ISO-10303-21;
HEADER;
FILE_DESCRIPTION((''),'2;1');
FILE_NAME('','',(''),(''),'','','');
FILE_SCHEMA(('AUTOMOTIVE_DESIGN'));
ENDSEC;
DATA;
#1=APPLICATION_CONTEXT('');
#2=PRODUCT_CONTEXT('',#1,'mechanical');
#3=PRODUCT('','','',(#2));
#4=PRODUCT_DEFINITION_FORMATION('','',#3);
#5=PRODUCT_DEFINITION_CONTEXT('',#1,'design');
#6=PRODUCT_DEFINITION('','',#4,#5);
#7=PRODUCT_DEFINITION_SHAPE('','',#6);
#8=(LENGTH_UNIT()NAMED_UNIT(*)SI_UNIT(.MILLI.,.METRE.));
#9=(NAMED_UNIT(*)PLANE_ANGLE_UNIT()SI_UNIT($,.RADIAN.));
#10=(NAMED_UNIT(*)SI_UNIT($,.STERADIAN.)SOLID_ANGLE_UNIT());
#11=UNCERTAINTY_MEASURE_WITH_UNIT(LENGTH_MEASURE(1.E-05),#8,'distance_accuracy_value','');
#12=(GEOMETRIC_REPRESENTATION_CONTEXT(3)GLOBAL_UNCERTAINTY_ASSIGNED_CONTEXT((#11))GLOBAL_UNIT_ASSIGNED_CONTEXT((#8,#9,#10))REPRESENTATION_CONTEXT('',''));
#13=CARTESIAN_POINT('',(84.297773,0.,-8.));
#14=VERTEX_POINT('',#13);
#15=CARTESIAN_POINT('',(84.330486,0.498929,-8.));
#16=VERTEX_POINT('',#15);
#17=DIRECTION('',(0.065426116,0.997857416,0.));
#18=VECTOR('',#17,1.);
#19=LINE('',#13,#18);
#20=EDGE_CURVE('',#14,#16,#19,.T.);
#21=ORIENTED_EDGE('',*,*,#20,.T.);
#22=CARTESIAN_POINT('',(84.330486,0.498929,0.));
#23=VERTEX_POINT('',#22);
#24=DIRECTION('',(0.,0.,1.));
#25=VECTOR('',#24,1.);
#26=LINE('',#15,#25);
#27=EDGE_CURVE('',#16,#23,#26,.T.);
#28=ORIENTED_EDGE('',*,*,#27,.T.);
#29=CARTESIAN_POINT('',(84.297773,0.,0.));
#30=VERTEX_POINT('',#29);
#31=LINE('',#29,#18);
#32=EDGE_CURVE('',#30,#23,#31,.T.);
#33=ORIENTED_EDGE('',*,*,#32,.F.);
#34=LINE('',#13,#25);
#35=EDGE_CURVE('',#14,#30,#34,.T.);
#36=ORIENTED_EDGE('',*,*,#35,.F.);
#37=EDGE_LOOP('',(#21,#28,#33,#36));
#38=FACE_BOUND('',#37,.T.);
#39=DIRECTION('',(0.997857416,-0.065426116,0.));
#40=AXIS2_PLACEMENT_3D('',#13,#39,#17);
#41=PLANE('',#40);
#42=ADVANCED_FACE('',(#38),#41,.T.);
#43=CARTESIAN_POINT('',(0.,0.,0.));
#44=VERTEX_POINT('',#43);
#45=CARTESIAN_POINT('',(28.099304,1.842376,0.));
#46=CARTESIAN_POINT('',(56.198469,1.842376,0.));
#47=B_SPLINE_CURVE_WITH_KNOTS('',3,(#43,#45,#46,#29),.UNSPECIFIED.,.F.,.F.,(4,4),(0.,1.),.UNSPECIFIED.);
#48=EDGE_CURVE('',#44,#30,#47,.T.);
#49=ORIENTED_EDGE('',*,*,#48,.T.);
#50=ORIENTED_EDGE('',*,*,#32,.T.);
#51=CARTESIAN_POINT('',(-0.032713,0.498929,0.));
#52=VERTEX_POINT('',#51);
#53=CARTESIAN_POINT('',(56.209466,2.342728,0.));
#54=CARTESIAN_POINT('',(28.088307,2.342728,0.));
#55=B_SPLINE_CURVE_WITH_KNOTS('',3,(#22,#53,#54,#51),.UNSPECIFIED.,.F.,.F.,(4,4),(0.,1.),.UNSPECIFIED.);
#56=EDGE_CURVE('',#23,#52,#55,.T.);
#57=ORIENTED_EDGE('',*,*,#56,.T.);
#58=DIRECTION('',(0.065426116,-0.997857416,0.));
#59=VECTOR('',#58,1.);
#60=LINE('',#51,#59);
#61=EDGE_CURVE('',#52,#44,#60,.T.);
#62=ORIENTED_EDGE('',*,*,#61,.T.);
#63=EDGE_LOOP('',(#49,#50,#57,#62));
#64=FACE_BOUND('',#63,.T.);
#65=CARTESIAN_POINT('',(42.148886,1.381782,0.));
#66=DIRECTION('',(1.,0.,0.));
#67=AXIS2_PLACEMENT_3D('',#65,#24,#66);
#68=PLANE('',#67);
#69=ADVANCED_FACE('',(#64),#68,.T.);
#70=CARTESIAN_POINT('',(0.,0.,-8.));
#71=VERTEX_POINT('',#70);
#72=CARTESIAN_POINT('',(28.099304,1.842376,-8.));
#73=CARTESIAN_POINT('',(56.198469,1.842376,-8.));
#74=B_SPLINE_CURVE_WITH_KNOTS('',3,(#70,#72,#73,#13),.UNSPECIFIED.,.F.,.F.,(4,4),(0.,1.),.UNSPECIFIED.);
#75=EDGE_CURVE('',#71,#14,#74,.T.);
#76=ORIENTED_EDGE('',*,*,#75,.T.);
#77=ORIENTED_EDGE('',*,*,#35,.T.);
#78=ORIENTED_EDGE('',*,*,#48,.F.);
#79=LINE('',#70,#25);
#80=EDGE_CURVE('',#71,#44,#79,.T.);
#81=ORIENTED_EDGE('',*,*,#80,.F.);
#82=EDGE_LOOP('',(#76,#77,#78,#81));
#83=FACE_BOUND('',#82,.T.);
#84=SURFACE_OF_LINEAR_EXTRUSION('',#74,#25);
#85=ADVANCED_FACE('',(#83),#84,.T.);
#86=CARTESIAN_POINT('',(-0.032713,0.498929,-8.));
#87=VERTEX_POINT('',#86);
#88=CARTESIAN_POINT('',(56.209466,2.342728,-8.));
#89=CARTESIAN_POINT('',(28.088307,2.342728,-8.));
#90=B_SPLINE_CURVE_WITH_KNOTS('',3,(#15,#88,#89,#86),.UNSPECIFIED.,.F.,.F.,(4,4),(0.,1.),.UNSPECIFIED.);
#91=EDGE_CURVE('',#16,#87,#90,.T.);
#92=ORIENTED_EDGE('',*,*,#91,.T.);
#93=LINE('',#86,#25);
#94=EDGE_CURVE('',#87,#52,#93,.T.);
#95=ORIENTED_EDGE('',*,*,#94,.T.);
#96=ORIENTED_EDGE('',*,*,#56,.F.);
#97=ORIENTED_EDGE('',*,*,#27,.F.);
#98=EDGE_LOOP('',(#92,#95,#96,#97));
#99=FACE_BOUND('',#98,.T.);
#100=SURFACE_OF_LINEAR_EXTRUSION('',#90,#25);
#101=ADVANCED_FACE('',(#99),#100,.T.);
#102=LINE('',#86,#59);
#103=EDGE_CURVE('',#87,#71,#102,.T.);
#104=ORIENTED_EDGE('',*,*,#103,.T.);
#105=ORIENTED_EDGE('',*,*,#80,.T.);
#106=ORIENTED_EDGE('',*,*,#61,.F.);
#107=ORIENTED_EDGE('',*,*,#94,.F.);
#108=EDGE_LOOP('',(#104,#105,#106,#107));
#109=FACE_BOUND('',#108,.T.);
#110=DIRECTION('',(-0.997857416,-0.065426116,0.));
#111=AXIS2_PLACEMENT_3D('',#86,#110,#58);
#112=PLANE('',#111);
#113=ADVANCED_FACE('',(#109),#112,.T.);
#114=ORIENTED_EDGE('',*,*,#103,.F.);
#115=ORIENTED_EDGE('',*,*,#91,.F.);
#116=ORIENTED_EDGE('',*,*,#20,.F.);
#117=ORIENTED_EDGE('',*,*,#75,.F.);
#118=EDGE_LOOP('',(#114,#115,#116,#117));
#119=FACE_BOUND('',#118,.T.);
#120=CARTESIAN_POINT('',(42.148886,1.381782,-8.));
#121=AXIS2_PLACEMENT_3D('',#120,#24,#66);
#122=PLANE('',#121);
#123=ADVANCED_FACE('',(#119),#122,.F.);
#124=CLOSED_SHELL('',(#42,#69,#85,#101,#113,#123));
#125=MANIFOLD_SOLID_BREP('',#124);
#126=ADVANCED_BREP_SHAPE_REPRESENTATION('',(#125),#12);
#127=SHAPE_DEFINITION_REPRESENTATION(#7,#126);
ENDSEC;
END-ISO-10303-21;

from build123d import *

# Parameters (mm, degrees)
EXTRUDE_1_DEPTH = 8


with BuildPart() as part:
    # Model → Бобышка-Вытянуть1 (new body)
    with BuildSketch(Plane.XY):
        with BuildLine():
            Line((84.297772892, 0), (84.33048595, 0.498928708))
            add(Edge.make_bspline(
                [(84.33048595, 0.498928708), (56.209466291, 2.342728305), (28.088306601, 2.342728305), (-0.032713058, 0.498928708)],
                knots=[0, 0, 0, 0, 1, 1, 1, 1], degree=3))
            Line((-0.032713058, 0.498928708), (0, 0))
            add(Edge.make_bspline(
                [(0, 0), (28.099304307, 1.842375795), (56.198468584, 1.842375795), (84.297772892, 0)],
                knots=[0, 0, 0, 0, 1, 1, 1, 1], degree=3))
        make_face()
    extrude(amount=-EXTRUDE_1_DEPTH)


solid = part.part
